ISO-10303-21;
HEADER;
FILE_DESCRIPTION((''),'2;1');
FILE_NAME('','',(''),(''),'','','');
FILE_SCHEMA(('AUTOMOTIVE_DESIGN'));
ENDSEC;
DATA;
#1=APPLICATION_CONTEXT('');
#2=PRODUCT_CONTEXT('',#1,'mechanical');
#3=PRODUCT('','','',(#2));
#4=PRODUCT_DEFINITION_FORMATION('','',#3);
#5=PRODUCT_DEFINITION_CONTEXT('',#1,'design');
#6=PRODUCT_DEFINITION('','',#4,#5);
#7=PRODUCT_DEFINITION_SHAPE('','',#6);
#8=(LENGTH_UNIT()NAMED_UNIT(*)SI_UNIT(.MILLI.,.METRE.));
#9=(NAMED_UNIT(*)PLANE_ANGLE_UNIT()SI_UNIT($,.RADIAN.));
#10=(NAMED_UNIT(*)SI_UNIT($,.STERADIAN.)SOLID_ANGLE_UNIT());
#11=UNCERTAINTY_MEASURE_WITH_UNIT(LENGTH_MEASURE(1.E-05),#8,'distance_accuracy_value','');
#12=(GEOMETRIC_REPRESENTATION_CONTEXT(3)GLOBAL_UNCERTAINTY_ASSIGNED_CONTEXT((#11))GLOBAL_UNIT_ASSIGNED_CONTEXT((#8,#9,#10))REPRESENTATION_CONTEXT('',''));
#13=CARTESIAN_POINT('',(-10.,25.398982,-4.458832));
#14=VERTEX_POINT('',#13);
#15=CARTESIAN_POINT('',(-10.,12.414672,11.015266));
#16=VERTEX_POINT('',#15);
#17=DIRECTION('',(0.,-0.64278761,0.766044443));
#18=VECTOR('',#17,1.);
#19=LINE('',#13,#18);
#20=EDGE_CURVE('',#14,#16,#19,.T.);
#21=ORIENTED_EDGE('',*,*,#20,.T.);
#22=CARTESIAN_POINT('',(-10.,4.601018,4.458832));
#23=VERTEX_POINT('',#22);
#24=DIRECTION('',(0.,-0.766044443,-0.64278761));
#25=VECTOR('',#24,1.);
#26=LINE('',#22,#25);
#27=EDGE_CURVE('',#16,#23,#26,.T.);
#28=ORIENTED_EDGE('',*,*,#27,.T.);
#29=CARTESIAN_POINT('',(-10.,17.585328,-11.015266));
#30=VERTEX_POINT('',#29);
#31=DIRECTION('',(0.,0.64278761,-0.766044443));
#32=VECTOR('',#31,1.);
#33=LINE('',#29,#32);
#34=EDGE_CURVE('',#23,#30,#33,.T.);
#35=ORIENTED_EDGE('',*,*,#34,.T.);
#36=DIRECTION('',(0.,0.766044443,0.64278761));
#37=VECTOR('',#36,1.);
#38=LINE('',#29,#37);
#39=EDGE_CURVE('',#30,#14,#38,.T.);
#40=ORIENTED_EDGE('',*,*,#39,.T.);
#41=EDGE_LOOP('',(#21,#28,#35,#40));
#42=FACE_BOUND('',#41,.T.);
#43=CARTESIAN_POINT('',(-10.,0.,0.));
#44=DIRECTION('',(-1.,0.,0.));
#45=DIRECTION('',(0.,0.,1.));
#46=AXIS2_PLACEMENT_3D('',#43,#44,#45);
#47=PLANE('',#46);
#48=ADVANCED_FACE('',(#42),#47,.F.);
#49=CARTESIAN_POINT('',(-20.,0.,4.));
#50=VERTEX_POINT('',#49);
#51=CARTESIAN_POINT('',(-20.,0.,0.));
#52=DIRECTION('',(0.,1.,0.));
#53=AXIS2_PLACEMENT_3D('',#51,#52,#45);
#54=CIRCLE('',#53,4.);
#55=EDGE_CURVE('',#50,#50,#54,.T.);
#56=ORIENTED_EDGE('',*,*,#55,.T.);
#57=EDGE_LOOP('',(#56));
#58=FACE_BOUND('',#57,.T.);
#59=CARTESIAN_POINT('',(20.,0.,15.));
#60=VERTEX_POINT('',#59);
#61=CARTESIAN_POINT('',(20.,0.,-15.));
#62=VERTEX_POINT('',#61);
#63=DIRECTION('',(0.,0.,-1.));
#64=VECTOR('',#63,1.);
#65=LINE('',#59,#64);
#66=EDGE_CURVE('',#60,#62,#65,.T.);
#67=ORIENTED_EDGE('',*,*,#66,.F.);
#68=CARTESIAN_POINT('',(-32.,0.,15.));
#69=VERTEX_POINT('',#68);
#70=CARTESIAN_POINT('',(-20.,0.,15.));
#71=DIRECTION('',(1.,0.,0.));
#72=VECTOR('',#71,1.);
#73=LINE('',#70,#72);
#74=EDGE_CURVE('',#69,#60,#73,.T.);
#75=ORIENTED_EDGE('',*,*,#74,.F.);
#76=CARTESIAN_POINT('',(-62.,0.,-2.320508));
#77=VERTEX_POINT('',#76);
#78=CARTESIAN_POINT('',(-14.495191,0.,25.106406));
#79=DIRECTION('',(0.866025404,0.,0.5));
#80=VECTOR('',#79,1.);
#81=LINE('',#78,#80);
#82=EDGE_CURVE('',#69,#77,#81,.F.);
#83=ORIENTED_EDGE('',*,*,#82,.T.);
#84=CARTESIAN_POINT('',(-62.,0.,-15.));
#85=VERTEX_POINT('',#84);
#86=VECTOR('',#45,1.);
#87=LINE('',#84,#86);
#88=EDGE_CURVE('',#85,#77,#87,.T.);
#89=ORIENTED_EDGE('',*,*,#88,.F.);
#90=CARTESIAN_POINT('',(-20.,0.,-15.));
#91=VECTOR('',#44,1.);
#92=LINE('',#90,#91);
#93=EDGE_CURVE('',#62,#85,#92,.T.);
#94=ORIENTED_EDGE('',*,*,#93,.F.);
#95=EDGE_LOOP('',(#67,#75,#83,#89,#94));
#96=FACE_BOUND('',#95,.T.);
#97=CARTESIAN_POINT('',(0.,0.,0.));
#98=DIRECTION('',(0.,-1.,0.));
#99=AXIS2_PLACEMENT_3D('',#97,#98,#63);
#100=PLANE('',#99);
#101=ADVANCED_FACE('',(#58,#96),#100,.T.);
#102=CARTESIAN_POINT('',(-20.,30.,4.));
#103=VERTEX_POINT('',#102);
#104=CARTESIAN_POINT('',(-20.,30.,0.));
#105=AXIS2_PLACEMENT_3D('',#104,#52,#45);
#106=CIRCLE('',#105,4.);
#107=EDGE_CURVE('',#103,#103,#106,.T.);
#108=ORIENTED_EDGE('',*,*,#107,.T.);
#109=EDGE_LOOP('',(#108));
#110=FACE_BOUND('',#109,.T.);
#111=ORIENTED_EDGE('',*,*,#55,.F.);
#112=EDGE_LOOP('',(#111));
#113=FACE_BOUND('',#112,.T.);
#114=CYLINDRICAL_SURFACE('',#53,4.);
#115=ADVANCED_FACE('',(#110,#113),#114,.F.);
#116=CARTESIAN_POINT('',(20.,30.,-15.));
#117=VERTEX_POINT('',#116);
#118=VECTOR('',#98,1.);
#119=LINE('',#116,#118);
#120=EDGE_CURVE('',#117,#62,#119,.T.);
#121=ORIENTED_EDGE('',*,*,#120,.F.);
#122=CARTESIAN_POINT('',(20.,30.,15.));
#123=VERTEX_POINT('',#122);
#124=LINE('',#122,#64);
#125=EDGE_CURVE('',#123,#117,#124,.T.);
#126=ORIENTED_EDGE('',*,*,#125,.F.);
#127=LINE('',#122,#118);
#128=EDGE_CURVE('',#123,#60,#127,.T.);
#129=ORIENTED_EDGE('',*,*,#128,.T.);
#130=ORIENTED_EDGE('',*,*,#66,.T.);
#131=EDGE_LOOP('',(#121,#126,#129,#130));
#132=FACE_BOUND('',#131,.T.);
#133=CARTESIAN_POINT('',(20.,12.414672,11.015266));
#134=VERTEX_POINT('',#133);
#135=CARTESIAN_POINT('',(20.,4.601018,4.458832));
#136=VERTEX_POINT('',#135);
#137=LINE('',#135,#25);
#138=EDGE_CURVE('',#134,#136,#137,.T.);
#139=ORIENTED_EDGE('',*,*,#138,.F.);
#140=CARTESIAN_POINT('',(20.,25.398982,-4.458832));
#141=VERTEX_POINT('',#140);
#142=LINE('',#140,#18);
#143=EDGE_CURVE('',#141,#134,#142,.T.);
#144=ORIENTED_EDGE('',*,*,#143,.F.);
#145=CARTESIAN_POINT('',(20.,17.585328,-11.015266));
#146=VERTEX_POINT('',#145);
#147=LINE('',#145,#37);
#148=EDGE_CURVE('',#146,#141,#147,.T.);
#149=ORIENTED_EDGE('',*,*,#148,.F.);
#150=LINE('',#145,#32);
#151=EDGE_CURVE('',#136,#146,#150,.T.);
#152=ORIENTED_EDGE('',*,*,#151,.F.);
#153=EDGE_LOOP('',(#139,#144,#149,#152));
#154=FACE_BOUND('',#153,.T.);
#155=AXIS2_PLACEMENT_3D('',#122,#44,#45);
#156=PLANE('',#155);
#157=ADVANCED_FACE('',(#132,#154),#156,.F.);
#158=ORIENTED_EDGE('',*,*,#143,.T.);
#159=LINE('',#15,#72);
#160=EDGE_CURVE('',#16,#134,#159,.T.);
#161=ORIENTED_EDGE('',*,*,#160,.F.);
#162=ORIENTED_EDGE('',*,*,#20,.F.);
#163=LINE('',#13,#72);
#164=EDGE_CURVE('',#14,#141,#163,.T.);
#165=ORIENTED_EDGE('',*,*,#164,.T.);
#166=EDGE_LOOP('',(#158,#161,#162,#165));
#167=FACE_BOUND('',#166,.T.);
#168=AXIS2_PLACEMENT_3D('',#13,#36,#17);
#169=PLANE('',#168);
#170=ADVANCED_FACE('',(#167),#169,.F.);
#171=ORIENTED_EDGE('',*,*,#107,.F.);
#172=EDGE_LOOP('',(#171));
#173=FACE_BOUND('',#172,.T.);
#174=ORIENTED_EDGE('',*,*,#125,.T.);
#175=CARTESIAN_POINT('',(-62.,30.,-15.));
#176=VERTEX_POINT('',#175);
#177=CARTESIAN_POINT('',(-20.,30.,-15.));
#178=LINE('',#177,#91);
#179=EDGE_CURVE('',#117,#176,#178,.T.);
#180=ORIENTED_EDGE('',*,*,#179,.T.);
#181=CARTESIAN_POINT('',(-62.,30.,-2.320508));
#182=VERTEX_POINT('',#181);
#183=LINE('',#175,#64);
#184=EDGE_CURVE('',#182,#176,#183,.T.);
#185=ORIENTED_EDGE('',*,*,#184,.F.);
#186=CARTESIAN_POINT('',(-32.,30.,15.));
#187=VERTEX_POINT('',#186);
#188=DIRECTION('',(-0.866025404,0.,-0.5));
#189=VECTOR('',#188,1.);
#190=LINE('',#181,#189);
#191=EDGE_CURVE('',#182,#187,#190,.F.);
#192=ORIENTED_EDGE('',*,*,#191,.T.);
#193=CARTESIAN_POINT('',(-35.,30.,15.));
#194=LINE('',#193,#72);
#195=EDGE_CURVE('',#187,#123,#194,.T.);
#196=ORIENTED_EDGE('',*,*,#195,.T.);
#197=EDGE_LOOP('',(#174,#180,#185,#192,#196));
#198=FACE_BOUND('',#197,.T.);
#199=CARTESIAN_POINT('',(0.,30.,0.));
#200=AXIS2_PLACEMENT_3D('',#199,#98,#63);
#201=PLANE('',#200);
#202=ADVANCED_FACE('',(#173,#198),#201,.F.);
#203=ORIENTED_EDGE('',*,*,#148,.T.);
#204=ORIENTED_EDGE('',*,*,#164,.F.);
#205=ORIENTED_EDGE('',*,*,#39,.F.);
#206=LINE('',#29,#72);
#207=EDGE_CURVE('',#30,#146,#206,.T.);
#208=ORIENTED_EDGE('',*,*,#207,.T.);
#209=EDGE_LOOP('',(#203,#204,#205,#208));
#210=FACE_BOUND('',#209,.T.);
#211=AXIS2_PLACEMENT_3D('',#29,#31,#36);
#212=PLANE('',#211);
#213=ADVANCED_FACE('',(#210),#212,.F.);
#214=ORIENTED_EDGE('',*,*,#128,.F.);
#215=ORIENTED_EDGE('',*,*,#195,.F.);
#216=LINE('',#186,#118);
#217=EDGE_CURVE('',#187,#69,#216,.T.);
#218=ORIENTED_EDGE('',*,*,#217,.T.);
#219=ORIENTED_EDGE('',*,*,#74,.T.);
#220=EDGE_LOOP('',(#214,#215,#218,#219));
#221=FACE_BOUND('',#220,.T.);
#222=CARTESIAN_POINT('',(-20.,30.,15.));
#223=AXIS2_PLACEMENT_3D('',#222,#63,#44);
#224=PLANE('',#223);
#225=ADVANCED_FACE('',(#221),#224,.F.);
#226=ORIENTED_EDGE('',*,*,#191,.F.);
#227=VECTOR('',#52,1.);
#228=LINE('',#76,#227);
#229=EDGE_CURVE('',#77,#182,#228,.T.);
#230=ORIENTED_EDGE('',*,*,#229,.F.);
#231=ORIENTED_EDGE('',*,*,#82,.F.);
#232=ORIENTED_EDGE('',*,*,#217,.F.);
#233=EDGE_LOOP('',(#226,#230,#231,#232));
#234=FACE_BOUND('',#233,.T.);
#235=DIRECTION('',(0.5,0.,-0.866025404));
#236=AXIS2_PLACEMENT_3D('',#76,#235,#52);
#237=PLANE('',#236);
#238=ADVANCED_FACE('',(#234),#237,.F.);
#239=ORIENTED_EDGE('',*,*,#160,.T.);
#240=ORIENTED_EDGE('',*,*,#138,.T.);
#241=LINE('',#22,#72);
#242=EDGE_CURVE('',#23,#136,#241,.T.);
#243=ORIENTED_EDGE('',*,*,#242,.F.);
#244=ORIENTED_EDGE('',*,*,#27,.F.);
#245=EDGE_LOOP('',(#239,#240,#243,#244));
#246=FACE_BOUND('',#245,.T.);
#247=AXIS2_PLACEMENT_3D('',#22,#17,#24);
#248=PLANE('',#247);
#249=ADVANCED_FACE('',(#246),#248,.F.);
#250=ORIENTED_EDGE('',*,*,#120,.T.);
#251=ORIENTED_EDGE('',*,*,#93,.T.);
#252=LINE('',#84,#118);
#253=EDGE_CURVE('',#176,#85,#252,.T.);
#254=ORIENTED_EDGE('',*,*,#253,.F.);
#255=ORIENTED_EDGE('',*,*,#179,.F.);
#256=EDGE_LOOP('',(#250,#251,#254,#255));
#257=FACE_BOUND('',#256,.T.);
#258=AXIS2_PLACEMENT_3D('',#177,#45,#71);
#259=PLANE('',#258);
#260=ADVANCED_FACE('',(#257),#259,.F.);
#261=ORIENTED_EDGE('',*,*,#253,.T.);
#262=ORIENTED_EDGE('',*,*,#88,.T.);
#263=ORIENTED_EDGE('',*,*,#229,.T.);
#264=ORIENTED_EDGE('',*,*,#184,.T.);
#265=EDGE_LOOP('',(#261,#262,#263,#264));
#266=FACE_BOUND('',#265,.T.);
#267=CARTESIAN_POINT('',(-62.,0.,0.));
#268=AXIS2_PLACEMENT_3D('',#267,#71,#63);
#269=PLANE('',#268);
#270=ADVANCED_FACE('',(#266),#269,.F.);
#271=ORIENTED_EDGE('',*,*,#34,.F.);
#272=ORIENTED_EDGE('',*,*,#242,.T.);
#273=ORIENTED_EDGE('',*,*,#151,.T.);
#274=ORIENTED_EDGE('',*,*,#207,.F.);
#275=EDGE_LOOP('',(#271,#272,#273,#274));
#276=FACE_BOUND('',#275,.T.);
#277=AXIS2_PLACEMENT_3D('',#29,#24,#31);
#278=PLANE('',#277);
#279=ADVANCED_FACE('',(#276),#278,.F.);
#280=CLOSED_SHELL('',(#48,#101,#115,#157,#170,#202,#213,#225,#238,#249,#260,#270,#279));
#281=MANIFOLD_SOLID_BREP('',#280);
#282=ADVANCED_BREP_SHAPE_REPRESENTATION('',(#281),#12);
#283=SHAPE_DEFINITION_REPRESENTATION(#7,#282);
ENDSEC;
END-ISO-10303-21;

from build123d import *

# Parameters (mm, degrees)
EXTRUDE_1_DEPTH     = 30
SKETCH_2_R          = 4
CUT_EXTRUDE_1_DEPTH = 49.476798574
CUT_EXTRUDE_4_DEPTH = 30
SKETCH1_W           = 30
SKETCH1_H           = 30
BOSS_EXTRUDE1_DEPTH = 27
CHAMFER1_SIZE       = 30
CHAMFER1_SIZE2      = 17.320508076


with BuildPart() as part:
    # Эскиз1 → Бобышка-Вытянуть1 (new body)
    with BuildSketch(Plane(origin=(0, 0, 0), x_dir=(1, 0, 0), z_dir=(0, 1, 0))):
        Polygon((-20, 15), (-35, 15), (-35, -15), (-20, -15), (20, -15), (20, 15), align=None)
    extrude(amount=EXTRUDE_1_DEPTH)

    # Эскиз2 → Вырез-Вытянуть1 (cut, through all)
    with BuildSketch(Plane(origin=(0, 30, 0), x_dir=(1, 0, 0), z_dir=(0, 1, 0))):
        with Locations(Location((-20, 0, 0), (0, 0, 270))):
            Circle(SKETCH_2_R)
    extrude(amount=-CUT_EXTRUDE_1_DEPTH, mode=Mode.SUBTRACT)

    # Эскиз5 → Вырез-Вытянуть4 (cut)
    with BuildSketch(Plane(origin=(20, 0, 0), x_dir=(0, 0, -1), z_dir=(1, 0, 0))):
        Polygon((11.015265685, 17.585328198), (4.458832066, 25.398981518), (-11.015265685, 12.414671802), (-4.458832066, 4.601018482), align=None)
    extrude(amount=-CUT_EXTRUDE_4_DEPTH, mode=Mode.SUBTRACT)

    # Sketch1 → Boss-Extrude1 (add)
    with BuildSketch(Plane.ZY.offset(35)):
        with Locations((0, 15)):
            Rectangle(SKETCH1_W, SKETCH1_H)
    extrude(amount=BOSS_EXTRUDE1_DEPTH)

    # Chamfer1
    chamfer1_edges = [part.edges().sort_by_distance(p)[0] for p in [
        (-62, 15, 15),
    ]]
    chamfer1_side = [part.faces().sort_by_distance(p)[0] for p in [
        (-21, 15, 15),
    ]]
    chamfer(chamfer1_edges, length=CHAMFER1_SIZE, length2=CHAMFER1_SIZE2, reference=chamfer1_side[0])


solid = part.part
